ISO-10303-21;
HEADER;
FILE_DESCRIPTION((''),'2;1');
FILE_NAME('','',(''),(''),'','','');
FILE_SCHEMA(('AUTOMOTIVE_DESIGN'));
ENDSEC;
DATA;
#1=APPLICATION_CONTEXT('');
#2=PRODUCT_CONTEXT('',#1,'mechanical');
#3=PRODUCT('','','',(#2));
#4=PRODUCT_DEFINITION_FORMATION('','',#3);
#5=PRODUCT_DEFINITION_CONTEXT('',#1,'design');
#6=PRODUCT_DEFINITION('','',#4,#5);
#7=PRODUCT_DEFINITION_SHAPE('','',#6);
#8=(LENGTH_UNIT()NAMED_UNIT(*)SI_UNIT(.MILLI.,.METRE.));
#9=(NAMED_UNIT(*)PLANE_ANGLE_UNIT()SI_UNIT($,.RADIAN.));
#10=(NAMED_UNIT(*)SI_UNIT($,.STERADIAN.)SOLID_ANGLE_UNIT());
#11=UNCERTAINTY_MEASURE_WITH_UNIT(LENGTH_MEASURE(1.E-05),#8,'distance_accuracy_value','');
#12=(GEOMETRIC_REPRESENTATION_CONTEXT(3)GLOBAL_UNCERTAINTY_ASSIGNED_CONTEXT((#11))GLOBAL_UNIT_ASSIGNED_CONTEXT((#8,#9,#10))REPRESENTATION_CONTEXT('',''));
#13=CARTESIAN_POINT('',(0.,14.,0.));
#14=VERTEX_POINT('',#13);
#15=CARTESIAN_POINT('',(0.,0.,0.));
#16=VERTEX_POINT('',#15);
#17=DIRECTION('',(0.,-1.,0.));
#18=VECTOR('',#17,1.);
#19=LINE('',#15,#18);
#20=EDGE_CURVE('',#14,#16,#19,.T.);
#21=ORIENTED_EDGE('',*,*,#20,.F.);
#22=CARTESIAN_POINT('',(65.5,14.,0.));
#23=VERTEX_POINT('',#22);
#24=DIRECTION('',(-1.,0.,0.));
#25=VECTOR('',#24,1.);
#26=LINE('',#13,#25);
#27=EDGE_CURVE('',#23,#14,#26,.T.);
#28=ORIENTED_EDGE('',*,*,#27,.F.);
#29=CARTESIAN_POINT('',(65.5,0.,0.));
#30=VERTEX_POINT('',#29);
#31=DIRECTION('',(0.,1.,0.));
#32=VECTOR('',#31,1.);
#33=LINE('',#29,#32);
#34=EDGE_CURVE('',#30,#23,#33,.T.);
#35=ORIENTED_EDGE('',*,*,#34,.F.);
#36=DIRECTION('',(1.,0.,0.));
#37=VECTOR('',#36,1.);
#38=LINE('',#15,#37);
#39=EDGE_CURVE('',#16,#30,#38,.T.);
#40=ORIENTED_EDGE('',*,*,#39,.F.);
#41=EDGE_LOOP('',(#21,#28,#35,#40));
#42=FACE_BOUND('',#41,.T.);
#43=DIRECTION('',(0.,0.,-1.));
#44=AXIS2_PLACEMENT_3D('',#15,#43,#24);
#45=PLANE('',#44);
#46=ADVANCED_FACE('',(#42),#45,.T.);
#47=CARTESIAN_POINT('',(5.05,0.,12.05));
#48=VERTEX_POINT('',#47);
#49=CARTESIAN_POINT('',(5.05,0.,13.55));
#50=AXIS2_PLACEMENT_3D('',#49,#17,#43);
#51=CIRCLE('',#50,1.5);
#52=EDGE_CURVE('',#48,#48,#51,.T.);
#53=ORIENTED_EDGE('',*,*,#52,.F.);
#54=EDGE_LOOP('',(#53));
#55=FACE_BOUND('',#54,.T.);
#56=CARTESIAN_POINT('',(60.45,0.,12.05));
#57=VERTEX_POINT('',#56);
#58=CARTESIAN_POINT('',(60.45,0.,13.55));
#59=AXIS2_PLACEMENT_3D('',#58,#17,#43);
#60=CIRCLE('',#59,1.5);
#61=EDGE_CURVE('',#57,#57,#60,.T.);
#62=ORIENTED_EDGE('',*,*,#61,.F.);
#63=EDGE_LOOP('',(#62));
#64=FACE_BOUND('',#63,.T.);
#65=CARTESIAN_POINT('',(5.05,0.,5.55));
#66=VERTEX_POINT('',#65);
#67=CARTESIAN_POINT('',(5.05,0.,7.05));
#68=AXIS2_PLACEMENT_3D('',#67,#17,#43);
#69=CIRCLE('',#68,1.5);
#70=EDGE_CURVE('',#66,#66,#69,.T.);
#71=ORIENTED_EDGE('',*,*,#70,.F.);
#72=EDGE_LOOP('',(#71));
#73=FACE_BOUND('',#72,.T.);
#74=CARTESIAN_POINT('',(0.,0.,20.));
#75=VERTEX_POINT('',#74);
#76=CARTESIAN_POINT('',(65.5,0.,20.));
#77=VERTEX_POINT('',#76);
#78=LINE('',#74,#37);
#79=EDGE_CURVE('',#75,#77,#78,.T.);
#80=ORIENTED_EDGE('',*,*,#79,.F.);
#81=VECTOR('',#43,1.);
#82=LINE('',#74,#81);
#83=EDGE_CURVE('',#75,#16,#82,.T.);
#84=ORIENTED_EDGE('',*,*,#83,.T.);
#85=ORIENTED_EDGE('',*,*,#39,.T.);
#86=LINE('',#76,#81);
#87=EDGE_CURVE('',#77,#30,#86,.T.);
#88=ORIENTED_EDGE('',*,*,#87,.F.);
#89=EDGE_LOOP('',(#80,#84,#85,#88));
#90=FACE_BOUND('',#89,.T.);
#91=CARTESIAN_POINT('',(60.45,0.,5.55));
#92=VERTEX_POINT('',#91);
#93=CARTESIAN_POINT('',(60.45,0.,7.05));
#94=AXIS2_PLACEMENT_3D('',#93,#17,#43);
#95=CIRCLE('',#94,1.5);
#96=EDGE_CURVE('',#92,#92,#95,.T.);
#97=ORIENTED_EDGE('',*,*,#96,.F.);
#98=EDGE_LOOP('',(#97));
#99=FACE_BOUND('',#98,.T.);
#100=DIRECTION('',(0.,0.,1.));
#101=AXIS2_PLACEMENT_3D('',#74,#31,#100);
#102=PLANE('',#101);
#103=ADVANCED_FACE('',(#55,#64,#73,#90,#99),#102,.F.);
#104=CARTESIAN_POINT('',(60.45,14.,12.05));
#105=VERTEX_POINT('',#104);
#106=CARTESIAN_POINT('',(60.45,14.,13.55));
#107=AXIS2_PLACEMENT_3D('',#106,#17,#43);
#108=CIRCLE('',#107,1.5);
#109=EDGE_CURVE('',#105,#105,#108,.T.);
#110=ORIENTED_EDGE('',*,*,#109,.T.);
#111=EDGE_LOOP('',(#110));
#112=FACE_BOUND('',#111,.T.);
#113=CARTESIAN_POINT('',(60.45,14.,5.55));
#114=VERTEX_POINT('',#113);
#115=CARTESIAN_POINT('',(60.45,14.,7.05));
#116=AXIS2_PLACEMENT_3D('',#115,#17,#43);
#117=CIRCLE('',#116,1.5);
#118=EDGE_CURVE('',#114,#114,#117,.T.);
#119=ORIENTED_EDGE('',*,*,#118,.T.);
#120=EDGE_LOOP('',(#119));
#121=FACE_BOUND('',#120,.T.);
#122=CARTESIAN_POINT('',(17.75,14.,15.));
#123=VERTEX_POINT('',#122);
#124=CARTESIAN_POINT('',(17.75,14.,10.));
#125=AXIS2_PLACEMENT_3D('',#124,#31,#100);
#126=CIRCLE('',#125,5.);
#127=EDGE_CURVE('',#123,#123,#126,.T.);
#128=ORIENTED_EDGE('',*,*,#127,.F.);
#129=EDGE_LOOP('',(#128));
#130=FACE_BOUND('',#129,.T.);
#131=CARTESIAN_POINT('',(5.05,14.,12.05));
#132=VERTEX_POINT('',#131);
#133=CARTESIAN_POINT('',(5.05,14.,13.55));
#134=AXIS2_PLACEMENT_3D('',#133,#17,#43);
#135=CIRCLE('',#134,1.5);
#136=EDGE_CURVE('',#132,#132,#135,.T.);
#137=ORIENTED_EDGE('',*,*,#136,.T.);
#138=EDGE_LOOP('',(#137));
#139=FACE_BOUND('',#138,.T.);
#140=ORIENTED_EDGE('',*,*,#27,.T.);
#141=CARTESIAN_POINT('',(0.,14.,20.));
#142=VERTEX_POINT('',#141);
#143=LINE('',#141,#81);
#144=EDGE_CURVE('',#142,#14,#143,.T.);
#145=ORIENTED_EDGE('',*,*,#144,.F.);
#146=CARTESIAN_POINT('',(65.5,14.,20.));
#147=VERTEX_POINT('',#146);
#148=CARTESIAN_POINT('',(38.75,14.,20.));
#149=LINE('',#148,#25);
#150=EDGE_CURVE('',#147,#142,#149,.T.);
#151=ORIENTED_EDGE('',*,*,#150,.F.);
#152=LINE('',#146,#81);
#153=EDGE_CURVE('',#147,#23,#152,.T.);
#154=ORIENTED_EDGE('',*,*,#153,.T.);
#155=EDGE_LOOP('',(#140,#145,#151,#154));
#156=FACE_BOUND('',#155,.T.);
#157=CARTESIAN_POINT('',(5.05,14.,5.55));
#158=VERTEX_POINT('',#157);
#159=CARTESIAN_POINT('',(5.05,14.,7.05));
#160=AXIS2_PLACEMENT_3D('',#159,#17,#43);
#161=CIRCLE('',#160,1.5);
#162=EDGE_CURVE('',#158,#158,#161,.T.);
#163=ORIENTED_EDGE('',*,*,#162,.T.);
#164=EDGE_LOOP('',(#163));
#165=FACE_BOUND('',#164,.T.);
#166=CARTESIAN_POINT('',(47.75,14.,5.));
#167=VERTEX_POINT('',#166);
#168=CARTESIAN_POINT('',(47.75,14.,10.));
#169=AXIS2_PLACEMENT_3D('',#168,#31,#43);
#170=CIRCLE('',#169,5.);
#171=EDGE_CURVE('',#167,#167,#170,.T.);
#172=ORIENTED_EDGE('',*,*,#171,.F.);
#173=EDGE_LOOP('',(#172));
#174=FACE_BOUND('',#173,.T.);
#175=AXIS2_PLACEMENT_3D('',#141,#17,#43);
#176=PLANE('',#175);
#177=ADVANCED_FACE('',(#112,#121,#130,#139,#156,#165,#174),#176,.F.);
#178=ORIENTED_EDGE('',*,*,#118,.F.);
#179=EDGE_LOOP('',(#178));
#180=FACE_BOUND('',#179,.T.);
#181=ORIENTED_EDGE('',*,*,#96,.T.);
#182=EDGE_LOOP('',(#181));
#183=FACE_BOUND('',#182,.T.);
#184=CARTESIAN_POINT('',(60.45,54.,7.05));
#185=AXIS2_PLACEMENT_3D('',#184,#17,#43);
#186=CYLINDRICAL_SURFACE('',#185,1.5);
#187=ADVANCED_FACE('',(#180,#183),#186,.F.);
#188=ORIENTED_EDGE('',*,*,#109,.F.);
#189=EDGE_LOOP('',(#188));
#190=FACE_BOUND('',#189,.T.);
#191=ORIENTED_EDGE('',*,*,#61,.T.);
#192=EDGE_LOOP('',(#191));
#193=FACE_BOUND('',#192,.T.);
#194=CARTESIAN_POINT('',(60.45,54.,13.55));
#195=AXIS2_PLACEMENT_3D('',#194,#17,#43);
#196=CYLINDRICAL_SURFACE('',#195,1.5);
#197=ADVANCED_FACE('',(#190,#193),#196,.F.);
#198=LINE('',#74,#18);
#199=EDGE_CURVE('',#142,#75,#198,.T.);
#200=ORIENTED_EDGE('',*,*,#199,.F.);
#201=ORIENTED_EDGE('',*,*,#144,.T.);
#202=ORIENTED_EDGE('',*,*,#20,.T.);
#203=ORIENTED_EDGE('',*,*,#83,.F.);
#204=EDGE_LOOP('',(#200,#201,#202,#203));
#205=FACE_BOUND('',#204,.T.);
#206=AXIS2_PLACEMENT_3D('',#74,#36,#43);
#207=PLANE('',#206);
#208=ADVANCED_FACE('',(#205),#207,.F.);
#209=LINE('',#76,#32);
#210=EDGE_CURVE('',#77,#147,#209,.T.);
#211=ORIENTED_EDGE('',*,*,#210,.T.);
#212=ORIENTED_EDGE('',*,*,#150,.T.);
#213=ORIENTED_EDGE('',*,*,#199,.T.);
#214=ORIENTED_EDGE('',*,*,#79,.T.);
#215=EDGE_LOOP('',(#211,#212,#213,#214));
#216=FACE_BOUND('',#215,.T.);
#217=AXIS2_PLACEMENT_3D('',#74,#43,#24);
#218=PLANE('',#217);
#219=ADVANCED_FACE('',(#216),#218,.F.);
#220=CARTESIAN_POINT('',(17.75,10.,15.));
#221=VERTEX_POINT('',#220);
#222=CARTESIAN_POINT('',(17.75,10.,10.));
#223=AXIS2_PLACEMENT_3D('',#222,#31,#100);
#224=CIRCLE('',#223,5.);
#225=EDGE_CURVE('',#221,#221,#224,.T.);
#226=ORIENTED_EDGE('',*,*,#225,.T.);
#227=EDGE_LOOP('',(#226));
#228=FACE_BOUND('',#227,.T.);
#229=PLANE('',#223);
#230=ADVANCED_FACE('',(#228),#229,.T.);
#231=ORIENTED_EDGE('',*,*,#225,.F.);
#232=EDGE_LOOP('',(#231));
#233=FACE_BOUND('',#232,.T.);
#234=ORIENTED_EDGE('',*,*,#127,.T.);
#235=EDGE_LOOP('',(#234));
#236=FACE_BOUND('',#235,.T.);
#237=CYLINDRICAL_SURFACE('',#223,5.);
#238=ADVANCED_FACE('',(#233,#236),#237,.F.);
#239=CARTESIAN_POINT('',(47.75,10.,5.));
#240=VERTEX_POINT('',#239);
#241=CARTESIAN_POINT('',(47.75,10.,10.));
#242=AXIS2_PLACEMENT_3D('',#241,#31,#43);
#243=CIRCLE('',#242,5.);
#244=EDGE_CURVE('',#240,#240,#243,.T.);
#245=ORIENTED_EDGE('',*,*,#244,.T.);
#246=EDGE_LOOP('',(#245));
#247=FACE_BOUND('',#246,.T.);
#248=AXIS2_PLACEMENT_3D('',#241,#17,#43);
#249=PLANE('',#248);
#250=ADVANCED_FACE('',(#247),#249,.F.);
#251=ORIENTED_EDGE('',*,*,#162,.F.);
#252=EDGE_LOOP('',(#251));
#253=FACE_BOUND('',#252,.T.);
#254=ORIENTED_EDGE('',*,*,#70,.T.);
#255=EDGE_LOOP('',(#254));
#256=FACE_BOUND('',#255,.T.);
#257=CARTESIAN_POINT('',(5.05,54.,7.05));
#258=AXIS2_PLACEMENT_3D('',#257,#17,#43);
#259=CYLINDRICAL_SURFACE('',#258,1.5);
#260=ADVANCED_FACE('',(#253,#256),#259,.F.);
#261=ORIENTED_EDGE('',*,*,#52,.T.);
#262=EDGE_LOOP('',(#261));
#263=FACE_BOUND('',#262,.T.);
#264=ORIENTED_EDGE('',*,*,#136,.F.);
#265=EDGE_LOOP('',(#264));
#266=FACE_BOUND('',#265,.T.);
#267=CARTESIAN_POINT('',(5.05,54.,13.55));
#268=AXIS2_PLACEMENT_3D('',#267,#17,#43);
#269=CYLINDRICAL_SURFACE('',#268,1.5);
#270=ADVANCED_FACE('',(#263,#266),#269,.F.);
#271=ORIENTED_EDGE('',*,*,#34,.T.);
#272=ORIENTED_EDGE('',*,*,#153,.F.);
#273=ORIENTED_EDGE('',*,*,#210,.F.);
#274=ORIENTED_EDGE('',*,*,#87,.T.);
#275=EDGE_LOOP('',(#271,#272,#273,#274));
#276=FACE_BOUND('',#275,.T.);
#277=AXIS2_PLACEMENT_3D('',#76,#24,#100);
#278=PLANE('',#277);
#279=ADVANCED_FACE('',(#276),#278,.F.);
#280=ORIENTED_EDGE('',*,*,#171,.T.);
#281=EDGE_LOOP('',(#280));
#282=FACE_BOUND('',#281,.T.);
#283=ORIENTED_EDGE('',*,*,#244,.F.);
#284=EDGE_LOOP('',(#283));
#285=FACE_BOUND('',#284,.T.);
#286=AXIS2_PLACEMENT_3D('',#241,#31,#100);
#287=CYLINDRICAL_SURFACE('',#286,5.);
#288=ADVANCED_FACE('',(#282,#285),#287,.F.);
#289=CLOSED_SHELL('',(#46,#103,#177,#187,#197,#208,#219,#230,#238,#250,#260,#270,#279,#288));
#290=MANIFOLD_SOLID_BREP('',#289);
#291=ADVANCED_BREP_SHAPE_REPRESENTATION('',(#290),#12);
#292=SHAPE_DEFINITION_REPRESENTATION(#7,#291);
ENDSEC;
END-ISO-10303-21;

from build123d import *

# Parameters (mm, degrees)
BOSS_EXTRUDE1_DEPTH = 20
SKETCH14_W          = 65.5
SKETCH14_H          = 14
BOSS_EXTRUDE2_DEPTH = 20
SKETCH13_R          = 1.5
CUT_EXTRUDE2_DEPTH  = 54
SKETCH12_R          = 5
CUT_EXTRUDE3_DEPTH  = 4


with BuildPart() as part:
    # Sketch1 → Boss-Extrude1 (new body)
    with BuildSketch(Plane.XY):
        Polygon((26.75, 14), (26.75, 6), (38.75, 6), (38.75, 14), (65.5, 14), (65.5, 0), (0, 0), (0, 14), align=None)
    extrude(amount=BOSS_EXTRUDE1_DEPTH)

    # Sketch14 → Boss-Extrude2 (add)
    with BuildSketch(Plane.XY):
        with Locations((32.75, 7)):
            Rectangle(SKETCH14_W, SKETCH14_H)
    extrude(amount=BOSS_EXTRUDE2_DEPTH)

    # Sketch13 → Cut-Extrude2 (cut)
    with BuildSketch(Plane.XZ):
        with Locations(Location((5.05, 7.05, 0), (0, 0, 270))):
            Circle(SKETCH13_R)
        with Locations(Location((5.05, 13.55, 0), (0, 0, 270))):
            Circle(SKETCH13_R)
        with Locations(Location((60.45, 7.05, 0), (0, 0, 270))):
            Circle(SKETCH13_R)
        with Locations(Location((60.45, 13.55, 0), (0, 0, 270))):
            Circle(SKETCH13_R)
    extrude(amount=-CUT_EXTRUDE2_DEPTH, mode=Mode.SUBTRACT)

    # Sketch12 → Cut-Extrude3 (cut)
    with BuildSketch(Plane(origin=(0, 14, 0), x_dir=(1, 0, 0), z_dir=(0, 1, 0))):
        with Locations(Location((17.75, -10, 0), (0, 0, 270))):
            Circle(SKETCH12_R)
        with Locations(Location((47.75, -10, 0), (0, 0, 90))):
            Circle(SKETCH12_R)
    extrude(amount=-CUT_EXTRUDE3_DEPTH, mode=Mode.SUBTRACT)


solid = part.part
